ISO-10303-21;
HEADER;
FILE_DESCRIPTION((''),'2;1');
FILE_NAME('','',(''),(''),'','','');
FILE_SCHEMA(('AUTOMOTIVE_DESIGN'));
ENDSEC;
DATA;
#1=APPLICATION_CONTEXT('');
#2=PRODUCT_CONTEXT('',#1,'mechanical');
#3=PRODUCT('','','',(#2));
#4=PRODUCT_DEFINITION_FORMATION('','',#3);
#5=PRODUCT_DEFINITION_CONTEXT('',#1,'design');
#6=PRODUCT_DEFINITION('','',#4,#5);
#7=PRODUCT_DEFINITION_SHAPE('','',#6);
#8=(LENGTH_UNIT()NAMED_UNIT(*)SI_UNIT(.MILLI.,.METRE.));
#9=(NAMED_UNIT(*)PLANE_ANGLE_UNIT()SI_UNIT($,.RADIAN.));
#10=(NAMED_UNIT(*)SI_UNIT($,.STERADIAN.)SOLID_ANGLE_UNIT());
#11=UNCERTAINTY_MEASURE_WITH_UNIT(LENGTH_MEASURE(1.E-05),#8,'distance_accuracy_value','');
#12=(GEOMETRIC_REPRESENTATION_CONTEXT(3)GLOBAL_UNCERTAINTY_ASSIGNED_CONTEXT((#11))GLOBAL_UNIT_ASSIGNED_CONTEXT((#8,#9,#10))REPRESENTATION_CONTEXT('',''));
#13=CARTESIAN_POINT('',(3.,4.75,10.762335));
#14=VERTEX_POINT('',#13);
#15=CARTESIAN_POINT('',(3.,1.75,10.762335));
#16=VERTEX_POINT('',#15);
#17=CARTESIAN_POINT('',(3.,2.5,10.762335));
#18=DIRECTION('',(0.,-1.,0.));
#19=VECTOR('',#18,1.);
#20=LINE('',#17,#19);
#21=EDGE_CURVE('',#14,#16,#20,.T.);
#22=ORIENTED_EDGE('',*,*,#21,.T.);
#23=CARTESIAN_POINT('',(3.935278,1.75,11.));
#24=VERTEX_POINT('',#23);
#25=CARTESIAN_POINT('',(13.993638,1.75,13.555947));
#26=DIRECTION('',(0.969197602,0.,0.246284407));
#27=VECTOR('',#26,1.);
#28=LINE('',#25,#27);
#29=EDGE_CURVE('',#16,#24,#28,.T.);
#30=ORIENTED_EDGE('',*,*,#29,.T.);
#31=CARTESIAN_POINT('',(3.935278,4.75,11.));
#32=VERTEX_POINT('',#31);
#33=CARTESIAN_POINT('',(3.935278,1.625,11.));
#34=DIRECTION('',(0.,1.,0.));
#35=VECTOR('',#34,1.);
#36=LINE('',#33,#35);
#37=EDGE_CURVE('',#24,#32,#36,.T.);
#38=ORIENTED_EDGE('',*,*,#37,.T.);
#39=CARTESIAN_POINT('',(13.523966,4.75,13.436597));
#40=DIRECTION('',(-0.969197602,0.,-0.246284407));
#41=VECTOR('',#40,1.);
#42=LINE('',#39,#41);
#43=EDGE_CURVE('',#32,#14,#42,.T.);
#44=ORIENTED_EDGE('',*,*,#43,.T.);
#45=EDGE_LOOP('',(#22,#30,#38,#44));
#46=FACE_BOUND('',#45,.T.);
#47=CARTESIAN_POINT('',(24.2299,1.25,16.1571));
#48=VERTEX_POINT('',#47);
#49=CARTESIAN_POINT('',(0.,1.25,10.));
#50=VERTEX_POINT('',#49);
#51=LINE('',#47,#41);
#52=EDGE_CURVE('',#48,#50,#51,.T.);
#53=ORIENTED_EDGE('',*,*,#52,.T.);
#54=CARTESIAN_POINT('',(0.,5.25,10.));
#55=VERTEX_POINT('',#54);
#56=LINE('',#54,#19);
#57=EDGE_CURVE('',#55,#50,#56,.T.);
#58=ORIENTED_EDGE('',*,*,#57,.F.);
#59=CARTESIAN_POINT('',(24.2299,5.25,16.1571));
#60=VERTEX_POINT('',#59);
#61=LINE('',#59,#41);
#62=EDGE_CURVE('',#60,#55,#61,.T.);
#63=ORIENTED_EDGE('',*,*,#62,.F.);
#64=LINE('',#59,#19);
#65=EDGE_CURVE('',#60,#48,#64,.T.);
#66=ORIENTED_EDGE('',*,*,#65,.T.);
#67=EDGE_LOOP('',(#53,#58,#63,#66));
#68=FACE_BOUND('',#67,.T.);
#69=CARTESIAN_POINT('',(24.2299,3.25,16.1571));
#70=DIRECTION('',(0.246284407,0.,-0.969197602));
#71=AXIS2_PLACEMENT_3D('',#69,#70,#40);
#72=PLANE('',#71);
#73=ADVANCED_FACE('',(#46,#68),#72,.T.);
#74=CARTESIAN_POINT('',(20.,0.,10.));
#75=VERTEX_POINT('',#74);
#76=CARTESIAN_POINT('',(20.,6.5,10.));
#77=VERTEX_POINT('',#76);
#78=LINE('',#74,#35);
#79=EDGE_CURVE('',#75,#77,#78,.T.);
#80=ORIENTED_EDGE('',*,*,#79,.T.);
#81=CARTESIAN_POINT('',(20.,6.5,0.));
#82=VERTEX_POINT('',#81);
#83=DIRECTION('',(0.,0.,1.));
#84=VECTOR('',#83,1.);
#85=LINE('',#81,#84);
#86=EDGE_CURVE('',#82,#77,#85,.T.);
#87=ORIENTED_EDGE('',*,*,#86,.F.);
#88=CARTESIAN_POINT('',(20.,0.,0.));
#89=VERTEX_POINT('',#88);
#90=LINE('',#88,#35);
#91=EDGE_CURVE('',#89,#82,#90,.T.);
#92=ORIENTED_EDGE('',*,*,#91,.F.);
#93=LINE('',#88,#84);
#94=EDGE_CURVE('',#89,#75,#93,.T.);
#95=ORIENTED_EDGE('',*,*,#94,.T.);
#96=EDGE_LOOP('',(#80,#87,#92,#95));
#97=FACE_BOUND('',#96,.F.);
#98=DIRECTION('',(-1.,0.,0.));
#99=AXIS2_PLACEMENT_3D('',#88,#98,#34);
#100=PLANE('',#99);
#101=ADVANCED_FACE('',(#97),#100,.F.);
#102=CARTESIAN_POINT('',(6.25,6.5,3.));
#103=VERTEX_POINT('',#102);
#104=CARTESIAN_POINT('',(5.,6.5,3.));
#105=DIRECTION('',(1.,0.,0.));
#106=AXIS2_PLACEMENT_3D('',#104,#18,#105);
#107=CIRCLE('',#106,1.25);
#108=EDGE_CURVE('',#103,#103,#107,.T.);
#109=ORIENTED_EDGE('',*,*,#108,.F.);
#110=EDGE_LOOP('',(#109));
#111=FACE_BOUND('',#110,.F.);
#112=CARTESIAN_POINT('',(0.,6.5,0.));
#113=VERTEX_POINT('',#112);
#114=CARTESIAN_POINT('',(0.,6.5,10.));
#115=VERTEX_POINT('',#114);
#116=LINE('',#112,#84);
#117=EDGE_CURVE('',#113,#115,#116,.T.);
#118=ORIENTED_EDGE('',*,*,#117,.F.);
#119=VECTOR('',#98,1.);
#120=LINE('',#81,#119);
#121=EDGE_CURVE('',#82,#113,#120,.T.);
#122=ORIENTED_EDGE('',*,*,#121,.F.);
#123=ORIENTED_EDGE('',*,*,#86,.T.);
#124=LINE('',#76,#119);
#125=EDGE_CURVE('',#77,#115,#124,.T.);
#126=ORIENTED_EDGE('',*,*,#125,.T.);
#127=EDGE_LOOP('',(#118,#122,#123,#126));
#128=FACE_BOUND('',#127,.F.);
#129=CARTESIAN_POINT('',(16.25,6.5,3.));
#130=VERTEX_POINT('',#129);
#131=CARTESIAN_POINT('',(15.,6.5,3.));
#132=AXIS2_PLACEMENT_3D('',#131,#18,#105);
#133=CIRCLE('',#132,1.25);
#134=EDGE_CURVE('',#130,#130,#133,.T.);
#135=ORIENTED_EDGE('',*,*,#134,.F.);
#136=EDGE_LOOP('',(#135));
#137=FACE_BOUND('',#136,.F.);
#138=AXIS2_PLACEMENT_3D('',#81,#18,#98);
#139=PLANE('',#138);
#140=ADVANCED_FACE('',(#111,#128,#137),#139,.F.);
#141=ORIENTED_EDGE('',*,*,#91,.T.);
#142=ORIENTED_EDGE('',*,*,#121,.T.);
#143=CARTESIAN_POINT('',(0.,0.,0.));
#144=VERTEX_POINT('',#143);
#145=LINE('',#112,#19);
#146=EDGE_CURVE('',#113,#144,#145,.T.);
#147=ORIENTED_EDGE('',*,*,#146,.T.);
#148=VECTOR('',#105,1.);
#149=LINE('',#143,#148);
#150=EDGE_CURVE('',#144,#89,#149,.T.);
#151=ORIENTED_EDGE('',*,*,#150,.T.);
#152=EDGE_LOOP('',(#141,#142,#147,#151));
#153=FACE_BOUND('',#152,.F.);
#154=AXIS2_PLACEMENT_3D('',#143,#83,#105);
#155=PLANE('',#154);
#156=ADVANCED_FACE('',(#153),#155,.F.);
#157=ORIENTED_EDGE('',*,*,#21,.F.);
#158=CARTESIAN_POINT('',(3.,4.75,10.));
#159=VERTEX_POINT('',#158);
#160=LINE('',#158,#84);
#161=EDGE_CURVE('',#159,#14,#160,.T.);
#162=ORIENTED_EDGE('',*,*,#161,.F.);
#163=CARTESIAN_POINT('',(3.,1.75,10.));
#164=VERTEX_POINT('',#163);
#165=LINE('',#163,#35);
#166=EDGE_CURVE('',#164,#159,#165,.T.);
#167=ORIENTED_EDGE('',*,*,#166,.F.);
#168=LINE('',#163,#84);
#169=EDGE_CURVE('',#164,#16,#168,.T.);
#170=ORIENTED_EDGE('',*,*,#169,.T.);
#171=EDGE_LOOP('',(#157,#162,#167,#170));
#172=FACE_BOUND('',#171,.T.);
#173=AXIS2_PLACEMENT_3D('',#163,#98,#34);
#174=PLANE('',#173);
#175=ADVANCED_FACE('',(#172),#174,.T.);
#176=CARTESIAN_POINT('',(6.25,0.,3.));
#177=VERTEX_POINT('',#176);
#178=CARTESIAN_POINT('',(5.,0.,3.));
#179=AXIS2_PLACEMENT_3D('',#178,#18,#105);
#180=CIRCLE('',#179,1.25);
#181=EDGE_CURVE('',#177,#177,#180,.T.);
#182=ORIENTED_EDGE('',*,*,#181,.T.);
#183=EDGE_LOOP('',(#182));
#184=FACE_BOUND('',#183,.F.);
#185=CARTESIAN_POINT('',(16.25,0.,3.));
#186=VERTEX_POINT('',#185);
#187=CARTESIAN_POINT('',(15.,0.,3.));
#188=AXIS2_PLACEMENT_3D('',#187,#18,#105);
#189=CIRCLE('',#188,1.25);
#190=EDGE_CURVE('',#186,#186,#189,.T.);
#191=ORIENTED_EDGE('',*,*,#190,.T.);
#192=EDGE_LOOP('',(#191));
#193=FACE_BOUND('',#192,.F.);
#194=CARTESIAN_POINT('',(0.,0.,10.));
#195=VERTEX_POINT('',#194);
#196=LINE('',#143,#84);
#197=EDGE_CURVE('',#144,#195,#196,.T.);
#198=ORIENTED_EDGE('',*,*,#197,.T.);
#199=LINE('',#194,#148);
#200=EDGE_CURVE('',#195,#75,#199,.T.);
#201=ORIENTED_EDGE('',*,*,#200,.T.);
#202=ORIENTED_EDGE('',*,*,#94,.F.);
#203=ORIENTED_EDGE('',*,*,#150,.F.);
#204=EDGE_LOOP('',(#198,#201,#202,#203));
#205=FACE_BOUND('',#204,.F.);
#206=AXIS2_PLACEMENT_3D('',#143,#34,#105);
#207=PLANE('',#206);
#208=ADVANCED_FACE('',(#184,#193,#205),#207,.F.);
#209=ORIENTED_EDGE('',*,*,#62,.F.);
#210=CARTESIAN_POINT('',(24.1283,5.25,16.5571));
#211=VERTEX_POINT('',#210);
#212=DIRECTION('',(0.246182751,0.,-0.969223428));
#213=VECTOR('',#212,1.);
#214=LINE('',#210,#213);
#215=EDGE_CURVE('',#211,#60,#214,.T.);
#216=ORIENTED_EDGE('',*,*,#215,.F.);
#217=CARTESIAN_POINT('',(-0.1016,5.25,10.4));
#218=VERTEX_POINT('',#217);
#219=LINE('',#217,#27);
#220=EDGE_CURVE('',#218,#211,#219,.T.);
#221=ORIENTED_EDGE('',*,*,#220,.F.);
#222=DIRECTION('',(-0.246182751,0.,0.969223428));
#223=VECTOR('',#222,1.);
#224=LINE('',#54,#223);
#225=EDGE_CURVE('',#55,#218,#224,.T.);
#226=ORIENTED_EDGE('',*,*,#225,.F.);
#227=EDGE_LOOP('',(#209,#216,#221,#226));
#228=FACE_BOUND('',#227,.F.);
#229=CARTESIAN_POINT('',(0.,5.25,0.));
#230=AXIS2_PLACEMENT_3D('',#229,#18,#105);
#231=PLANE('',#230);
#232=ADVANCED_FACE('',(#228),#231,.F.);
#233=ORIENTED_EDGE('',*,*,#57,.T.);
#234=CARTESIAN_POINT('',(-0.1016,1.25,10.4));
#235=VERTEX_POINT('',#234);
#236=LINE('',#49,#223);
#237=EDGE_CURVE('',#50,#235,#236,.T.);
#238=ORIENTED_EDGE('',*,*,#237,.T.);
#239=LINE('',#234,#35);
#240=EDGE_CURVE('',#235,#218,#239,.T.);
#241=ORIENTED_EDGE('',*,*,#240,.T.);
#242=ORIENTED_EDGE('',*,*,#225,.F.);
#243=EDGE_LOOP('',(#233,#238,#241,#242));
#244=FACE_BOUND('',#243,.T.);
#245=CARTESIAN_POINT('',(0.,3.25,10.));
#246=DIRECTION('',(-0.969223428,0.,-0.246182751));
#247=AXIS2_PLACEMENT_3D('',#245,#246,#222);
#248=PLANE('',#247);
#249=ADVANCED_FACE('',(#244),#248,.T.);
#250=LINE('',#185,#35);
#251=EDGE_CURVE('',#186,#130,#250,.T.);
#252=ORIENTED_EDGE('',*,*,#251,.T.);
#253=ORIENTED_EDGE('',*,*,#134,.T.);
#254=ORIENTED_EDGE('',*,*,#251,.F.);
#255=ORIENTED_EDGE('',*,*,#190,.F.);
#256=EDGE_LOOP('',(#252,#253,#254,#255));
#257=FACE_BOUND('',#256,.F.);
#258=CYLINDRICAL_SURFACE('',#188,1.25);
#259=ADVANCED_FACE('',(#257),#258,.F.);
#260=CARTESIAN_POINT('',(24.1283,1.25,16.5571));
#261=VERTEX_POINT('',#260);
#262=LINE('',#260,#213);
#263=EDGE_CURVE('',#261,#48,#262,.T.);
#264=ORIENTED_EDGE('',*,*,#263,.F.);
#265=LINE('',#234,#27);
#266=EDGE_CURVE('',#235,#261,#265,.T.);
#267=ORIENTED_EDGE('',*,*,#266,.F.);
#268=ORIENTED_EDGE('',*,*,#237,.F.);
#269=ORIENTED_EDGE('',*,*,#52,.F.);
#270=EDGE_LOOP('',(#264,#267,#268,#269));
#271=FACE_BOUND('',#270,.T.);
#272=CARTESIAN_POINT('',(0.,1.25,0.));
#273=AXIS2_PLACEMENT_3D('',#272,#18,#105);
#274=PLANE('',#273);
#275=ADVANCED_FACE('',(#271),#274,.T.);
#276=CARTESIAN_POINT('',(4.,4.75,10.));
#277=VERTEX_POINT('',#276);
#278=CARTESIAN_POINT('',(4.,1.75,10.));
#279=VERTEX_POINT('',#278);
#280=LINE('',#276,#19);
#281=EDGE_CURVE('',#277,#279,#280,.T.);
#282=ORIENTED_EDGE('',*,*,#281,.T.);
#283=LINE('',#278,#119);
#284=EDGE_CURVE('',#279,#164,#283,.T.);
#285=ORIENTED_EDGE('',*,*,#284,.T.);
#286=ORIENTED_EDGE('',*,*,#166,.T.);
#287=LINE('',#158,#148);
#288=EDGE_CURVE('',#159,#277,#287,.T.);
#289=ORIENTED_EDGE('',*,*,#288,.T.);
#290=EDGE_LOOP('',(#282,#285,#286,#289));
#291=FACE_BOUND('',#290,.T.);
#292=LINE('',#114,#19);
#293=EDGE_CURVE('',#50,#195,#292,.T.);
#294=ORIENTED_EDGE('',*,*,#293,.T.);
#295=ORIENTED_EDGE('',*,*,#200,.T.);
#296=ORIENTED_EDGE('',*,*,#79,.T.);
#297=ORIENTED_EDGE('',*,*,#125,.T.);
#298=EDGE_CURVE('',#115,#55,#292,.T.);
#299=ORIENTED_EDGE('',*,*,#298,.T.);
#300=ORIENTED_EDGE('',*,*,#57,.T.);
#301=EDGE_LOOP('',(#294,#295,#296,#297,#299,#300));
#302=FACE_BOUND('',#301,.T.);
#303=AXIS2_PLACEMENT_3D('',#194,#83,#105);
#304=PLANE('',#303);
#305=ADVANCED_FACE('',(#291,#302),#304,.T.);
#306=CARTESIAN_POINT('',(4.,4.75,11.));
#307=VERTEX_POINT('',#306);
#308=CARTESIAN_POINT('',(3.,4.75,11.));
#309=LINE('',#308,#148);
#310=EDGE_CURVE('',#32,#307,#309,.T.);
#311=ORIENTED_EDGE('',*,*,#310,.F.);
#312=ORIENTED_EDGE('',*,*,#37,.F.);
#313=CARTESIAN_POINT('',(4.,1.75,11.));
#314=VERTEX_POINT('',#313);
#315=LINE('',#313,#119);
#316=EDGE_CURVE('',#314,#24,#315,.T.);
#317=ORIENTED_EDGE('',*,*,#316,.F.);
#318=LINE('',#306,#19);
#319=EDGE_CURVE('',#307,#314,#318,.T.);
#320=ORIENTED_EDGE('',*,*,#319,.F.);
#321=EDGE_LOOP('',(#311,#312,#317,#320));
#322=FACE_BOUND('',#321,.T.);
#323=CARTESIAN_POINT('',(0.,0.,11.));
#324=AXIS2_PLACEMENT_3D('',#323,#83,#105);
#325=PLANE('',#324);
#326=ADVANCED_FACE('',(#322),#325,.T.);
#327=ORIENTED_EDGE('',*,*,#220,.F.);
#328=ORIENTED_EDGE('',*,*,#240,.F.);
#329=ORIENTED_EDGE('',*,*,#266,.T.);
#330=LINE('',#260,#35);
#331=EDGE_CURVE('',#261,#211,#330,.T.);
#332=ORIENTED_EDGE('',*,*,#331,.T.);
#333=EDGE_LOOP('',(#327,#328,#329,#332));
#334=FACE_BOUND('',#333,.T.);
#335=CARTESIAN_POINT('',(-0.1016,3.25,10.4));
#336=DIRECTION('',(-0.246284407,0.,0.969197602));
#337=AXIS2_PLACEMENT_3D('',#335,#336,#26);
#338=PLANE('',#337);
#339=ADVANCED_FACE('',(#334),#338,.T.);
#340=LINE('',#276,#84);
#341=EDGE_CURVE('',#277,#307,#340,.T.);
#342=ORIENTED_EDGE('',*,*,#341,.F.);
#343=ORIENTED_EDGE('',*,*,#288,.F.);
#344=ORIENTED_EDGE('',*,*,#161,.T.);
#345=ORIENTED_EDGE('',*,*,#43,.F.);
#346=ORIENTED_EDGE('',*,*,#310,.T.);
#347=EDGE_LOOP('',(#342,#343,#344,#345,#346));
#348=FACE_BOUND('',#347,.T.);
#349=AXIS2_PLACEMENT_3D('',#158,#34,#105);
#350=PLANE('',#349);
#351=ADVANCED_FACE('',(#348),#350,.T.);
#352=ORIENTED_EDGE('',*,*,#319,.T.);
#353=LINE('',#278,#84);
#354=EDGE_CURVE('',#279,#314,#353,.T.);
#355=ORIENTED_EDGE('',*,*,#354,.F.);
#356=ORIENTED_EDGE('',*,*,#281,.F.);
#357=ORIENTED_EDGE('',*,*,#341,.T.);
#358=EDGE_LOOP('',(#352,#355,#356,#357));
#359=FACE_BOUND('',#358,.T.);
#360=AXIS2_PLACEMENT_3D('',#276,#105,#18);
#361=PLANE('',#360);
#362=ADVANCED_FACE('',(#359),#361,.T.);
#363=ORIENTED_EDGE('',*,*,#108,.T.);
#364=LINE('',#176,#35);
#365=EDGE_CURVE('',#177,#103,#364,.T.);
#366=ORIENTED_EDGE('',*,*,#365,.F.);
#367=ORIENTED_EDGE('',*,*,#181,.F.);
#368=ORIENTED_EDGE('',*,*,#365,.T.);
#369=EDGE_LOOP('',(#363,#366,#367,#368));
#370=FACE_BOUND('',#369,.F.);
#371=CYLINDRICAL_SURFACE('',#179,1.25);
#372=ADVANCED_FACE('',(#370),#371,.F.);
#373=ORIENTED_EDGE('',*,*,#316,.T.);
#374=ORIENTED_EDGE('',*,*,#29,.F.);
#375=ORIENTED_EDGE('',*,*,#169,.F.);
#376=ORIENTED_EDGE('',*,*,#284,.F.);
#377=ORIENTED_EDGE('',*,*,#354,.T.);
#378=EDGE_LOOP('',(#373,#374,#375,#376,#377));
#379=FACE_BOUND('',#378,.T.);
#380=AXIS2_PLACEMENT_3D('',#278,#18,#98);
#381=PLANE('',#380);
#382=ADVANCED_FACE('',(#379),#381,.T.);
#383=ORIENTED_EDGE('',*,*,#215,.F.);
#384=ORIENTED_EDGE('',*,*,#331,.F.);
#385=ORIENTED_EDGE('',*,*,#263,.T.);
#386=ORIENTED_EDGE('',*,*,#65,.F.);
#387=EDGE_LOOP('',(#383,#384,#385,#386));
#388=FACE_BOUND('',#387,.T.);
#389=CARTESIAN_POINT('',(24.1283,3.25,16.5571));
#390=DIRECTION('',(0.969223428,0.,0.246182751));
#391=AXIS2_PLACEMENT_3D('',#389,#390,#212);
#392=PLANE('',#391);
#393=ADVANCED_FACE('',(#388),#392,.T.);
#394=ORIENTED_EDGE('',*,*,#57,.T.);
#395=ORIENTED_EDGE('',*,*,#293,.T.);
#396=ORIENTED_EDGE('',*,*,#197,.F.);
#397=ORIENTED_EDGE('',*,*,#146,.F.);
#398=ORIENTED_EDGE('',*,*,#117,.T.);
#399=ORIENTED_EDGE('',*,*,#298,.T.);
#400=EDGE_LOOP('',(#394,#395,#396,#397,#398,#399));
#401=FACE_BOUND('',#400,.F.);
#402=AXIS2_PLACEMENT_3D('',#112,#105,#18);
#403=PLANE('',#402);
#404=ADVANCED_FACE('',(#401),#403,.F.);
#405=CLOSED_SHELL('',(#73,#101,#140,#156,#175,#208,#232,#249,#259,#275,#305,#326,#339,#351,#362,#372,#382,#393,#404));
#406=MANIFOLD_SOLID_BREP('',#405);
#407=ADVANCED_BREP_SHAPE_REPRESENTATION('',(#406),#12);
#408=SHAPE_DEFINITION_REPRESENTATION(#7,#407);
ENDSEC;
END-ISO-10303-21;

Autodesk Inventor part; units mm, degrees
ref_plane "YZ Plane" through (0, 0, 0) normal (1, 0, 0) x (0, 1, 0)
ref_plane "XZ Plane" through (0, 0, 0) normal (0, 1, 0) x (-1, 0, 0)
sketch "Sketch1" plane through (0, 0, 0) normal (0, 0, 1) x (1, 0, 0)
  line L0 (0, 0) -> (20, 0)
  line L1 (20, 0) -> (20, 6.5)
  line L2 (20, 6.5) -> (0, 6.5)
  line L3 (0, 6.5) -> (0, 0)
  dimension "d0" = 20
  dimension "d1" = 6.5
extrude "Extrusion1" add sketch "Sketch1" along normal blind 10
sketch "Sketch2" plane through (0, 0, 10) normal (0, 0, 1) x (1, 0, 0)
  line L0 (3, 4.75) -> (4, 4.75)
  line L1 (4, 4.75) -> (4, 1.75)
  line L2 (4, 1.75) -> (3, 1.75)
  line L3 (3, 1.75) -> (3, 4.75)
  line L4 (0, 6.5) -> (0, 0) projected
  point P0 (3, 3.25)
  point P1 (0, 3.25)
  dimension "d4" = 1
  dimension "d5" = 3
  dimension "d6" = 3
extrude "Extrusion2" add sketch "Sketch2" along normal blind 1
sketch "Sketch3" plane through (0, 0, 0) normal (0, -1, 0) x (1, 0, 0)
  circle A0 centre (5, 3) radius 1.25
  circle A1 centre (15, 3) radius 1.25
  line L0 (5, 3) -> (15, 3) construction
  line L1 (0, 0) -> (20, 0) construction
  point P0 (10, 3)
  point P1 (10, 0)
  dimension "d9" = 2.5
  dimension "d10" = 2.5
  dimension "d11" = 3
  dimension "d12" = 10
extrude "Extrusion3" cut sketch "Sketch3" against normal through all
ref_plane "Work Plane1" through (0, 3.25, 0) normal (0, -1, 0) x (1, 0, 0)
sketch "Sketch4" plane through (0, 3.25, 0) normal (0, -1, 0) x (1, 0, 0)
  line L0 (0, 10) -> (-0.1016, 10.4)
  line L1 (-0.1016, 10.4) -> (24.1283, 16.5571)
  line L2 (24.1283, 16.5571) -> (24.2299, 16.1571)
  line L3 (24.2299, 16.1571) -> (0, 10)
  dimension "d15" = 0.4
  dimension "d19" = 25
extrude "Extrusion4" add sketch "Sketch4" along normal mid plane 4
properties part number "lever switch 20x10x6"
